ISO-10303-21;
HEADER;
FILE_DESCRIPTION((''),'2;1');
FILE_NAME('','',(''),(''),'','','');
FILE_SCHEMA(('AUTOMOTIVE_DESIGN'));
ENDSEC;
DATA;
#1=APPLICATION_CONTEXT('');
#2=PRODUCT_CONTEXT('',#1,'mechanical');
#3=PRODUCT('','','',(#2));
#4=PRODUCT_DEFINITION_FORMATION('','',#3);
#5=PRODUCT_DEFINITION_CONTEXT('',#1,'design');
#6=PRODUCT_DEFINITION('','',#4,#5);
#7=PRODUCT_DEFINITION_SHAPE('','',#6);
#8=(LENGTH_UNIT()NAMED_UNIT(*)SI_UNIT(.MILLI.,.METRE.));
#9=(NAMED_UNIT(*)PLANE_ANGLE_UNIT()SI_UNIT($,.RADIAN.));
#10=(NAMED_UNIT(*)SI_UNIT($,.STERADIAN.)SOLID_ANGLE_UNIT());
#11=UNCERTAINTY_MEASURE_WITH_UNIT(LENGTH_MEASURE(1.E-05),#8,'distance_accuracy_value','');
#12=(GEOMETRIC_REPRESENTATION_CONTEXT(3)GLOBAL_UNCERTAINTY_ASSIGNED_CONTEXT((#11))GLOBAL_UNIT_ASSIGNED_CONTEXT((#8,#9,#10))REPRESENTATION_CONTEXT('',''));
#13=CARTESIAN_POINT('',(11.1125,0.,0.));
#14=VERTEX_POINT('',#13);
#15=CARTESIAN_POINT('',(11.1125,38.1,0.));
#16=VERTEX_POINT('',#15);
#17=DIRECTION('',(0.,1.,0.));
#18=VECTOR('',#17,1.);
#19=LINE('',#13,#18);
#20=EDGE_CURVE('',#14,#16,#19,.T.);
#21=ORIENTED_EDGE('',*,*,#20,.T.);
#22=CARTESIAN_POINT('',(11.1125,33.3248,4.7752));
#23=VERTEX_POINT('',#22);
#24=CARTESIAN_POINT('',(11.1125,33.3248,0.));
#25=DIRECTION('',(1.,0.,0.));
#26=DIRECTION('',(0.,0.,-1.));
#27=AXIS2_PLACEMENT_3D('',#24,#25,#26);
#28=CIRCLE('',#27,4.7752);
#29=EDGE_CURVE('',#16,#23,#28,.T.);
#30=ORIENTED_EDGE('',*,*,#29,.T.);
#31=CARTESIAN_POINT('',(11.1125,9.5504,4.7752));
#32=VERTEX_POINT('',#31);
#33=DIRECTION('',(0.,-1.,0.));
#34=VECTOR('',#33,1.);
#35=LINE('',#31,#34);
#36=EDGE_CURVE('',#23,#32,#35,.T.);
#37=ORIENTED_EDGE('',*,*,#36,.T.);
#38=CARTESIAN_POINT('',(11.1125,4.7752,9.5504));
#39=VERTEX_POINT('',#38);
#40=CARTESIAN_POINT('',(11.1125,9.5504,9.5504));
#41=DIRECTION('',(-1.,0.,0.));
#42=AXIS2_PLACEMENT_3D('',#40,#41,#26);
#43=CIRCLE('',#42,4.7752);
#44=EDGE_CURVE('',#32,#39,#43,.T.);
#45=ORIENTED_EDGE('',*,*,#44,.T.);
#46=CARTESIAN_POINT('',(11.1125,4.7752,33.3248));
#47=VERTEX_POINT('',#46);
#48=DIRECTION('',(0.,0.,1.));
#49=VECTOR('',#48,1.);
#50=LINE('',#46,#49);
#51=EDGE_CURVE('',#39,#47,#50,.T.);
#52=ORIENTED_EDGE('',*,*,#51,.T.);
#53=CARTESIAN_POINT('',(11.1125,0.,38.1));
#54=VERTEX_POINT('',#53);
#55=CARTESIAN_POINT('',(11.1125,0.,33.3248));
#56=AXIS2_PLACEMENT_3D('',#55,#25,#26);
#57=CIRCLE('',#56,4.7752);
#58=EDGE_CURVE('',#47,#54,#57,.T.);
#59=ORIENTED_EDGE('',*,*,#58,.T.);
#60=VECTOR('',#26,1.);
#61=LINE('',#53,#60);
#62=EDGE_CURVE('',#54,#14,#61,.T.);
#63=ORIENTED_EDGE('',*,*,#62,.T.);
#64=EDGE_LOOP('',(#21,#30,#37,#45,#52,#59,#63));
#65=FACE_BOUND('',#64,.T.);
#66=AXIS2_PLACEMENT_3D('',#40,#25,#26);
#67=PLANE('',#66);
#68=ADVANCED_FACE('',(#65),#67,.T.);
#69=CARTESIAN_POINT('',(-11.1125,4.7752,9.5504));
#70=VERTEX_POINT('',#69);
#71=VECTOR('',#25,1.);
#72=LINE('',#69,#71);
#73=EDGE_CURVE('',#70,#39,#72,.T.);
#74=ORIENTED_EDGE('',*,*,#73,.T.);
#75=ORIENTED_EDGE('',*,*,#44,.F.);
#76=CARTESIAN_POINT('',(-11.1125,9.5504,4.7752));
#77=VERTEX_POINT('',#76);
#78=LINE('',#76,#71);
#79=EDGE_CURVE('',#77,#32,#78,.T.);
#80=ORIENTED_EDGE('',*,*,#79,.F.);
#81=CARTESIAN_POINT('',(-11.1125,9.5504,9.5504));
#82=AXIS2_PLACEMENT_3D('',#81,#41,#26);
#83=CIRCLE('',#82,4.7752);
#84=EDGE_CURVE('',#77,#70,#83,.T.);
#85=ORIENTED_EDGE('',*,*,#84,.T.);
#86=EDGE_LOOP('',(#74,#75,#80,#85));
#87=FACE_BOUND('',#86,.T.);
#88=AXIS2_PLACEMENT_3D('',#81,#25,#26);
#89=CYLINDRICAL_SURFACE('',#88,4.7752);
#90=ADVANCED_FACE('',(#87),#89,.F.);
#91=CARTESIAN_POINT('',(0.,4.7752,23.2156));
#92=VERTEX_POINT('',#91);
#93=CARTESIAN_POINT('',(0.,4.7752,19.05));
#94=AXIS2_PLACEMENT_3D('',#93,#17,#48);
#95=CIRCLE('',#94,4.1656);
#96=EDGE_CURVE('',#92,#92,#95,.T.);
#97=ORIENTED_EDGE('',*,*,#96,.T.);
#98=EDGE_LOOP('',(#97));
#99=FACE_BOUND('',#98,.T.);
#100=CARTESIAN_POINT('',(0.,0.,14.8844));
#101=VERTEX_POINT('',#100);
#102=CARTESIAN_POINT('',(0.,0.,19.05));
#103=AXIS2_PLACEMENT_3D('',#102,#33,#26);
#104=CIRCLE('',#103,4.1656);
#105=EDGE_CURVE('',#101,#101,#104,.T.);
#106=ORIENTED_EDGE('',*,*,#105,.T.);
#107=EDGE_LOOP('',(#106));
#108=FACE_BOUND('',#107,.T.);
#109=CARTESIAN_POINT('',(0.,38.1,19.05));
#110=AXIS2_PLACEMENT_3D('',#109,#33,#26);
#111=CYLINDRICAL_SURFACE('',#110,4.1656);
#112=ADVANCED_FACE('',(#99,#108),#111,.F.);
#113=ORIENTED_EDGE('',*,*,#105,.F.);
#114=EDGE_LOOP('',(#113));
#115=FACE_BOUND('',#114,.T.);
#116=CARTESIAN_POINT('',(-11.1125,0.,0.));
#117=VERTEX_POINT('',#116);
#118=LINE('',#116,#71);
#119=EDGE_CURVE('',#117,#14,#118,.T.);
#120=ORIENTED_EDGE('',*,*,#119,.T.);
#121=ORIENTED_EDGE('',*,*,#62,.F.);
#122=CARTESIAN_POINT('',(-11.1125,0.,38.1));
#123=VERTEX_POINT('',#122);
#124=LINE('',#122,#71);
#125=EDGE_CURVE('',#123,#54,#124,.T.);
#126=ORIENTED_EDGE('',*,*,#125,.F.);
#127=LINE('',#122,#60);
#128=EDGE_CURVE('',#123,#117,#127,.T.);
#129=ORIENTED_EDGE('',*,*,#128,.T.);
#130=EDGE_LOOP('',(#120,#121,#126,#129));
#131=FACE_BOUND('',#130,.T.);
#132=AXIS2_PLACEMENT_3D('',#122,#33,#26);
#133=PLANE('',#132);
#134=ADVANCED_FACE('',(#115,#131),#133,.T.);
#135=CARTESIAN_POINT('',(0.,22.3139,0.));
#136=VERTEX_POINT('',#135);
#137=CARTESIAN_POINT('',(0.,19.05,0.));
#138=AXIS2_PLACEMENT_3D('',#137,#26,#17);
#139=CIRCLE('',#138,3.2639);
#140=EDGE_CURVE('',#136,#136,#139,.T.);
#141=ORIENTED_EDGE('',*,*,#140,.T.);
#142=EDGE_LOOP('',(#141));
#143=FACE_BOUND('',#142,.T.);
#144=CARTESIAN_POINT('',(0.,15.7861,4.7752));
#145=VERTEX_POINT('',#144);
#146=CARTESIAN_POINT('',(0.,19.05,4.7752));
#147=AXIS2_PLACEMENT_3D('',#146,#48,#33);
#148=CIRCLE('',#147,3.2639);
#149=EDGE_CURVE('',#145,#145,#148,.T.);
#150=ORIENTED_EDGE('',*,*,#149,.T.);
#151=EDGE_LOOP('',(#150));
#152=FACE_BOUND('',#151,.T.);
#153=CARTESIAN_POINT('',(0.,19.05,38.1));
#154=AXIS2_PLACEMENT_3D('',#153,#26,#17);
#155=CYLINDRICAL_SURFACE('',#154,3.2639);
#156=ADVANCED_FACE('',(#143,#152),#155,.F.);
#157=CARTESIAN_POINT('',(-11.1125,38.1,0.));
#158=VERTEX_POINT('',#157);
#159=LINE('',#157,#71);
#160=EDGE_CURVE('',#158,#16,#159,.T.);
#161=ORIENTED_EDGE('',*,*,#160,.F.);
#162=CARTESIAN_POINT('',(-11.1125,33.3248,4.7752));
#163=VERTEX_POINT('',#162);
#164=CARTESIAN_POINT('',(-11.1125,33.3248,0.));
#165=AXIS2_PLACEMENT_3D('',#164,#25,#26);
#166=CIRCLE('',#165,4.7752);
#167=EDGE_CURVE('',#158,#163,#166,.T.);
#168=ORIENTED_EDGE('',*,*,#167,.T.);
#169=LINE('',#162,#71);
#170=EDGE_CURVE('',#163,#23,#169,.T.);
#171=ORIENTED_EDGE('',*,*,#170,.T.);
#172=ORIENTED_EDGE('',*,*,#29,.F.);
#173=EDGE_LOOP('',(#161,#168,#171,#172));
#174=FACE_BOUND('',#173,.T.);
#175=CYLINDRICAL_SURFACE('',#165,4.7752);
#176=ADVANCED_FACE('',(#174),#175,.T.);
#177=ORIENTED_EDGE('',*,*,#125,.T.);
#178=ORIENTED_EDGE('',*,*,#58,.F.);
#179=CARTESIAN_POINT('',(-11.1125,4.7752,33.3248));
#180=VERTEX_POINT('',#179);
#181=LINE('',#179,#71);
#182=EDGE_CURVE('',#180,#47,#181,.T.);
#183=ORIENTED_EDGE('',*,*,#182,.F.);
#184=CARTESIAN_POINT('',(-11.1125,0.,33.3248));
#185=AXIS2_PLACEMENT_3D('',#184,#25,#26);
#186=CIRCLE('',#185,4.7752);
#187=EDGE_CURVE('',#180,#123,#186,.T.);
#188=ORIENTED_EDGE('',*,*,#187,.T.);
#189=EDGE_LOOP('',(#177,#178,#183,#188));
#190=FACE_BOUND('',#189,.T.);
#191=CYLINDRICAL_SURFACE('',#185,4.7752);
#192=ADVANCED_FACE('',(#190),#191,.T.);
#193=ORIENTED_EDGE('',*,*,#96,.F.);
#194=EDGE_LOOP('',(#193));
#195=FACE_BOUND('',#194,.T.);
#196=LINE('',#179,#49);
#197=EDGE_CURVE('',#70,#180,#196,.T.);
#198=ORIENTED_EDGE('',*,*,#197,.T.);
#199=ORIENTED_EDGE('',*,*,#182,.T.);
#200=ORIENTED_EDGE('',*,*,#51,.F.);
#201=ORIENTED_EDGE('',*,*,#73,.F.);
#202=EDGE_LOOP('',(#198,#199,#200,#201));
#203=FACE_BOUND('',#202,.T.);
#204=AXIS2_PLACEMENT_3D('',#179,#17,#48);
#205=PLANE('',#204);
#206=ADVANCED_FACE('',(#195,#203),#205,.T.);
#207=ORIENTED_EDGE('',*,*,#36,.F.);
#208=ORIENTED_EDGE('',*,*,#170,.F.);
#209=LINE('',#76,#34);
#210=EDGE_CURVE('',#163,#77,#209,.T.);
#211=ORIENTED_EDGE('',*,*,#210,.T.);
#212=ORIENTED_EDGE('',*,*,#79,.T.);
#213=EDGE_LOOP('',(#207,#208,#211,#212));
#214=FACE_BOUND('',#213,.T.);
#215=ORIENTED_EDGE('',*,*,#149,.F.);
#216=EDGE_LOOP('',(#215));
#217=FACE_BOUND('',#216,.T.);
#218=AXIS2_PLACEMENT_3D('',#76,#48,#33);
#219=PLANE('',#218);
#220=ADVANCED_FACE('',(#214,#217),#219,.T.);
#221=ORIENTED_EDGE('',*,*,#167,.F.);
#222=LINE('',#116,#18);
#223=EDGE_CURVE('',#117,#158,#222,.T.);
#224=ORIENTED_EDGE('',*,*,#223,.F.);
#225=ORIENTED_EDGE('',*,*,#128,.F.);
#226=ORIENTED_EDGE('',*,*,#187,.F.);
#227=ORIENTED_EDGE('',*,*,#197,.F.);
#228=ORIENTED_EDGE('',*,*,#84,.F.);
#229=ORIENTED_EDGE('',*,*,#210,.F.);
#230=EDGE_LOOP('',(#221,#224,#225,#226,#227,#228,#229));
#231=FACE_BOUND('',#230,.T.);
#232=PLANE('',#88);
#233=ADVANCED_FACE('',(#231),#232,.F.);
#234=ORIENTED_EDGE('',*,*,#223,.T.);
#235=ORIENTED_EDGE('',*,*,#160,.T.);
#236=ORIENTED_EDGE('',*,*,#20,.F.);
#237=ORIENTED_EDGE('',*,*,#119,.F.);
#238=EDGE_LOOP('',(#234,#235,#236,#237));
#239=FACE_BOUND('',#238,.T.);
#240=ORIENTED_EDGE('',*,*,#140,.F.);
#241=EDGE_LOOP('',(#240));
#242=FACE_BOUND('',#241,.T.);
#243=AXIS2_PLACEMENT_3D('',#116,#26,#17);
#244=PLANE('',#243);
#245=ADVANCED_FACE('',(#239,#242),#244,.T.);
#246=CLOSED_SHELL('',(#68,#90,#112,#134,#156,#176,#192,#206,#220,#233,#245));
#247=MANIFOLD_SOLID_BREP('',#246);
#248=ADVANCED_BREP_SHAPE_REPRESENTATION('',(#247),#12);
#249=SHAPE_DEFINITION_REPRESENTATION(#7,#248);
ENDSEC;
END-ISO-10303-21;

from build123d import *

# Parameters (mm, degrees)
BASE_EXTRUDE_DEPTH = 11.1125
SKETCH2_R          = 4.1656
HOLE1_DEPTH        = 39.1
SKETCH3_R          = 3.2639
HOLE2_DEPTH        = 39.1


with BuildPart() as part:
    # Sketch1 → Base Extrude (new body, symmetric)
    with BuildSketch(Plane(origin=(0, 0, 0), x_dir=(0, 0, -1), z_dir=(1, 0, 0))):
        with BuildLine():
            Line((-4.7752, 9.5504), (-4.7752, 33.3248))
            ThreePointArc((-4.7752, 33.3248), (-3.376576302, 36.701376302), (0, 38.1))
            Line((0, 38.1), (0, 0))
            Line((0, 0), (-38.1, 0))
            ThreePointArc((-38.1, 0), (-36.701376302, 3.376576302), (-33.3248, 4.7752))
            Line((-33.3248, 4.7752), (-9.5504, 4.7752))
            ThreePointArc((-9.5504, 4.7752), (-6.173823698, 6.173823698), (-4.7752, 9.5504))
        make_face()
    extrude(amount=BASE_EXTRUDE_DEPTH, both=True)

    # Sketch2 → Hole1 (cut, through all)
    with BuildSketch(Plane.XZ):
        with Locations((0, 19.05)):
            Circle(SKETCH2_R)
    extrude(amount=-HOLE1_DEPTH, mode=Mode.SUBTRACT)

    # Sketch3 → Hole2 (cut, through all)
    with BuildSketch(Plane(origin=(0, 0, 0), x_dir=(-1, 0, 0), z_dir=(0, 0, -1))):
        with Locations((0, 19.05)):
            Circle(SKETCH3_R)
    extrude(amount=-HOLE2_DEPTH, mode=Mode.SUBTRACT)


solid = part.part
